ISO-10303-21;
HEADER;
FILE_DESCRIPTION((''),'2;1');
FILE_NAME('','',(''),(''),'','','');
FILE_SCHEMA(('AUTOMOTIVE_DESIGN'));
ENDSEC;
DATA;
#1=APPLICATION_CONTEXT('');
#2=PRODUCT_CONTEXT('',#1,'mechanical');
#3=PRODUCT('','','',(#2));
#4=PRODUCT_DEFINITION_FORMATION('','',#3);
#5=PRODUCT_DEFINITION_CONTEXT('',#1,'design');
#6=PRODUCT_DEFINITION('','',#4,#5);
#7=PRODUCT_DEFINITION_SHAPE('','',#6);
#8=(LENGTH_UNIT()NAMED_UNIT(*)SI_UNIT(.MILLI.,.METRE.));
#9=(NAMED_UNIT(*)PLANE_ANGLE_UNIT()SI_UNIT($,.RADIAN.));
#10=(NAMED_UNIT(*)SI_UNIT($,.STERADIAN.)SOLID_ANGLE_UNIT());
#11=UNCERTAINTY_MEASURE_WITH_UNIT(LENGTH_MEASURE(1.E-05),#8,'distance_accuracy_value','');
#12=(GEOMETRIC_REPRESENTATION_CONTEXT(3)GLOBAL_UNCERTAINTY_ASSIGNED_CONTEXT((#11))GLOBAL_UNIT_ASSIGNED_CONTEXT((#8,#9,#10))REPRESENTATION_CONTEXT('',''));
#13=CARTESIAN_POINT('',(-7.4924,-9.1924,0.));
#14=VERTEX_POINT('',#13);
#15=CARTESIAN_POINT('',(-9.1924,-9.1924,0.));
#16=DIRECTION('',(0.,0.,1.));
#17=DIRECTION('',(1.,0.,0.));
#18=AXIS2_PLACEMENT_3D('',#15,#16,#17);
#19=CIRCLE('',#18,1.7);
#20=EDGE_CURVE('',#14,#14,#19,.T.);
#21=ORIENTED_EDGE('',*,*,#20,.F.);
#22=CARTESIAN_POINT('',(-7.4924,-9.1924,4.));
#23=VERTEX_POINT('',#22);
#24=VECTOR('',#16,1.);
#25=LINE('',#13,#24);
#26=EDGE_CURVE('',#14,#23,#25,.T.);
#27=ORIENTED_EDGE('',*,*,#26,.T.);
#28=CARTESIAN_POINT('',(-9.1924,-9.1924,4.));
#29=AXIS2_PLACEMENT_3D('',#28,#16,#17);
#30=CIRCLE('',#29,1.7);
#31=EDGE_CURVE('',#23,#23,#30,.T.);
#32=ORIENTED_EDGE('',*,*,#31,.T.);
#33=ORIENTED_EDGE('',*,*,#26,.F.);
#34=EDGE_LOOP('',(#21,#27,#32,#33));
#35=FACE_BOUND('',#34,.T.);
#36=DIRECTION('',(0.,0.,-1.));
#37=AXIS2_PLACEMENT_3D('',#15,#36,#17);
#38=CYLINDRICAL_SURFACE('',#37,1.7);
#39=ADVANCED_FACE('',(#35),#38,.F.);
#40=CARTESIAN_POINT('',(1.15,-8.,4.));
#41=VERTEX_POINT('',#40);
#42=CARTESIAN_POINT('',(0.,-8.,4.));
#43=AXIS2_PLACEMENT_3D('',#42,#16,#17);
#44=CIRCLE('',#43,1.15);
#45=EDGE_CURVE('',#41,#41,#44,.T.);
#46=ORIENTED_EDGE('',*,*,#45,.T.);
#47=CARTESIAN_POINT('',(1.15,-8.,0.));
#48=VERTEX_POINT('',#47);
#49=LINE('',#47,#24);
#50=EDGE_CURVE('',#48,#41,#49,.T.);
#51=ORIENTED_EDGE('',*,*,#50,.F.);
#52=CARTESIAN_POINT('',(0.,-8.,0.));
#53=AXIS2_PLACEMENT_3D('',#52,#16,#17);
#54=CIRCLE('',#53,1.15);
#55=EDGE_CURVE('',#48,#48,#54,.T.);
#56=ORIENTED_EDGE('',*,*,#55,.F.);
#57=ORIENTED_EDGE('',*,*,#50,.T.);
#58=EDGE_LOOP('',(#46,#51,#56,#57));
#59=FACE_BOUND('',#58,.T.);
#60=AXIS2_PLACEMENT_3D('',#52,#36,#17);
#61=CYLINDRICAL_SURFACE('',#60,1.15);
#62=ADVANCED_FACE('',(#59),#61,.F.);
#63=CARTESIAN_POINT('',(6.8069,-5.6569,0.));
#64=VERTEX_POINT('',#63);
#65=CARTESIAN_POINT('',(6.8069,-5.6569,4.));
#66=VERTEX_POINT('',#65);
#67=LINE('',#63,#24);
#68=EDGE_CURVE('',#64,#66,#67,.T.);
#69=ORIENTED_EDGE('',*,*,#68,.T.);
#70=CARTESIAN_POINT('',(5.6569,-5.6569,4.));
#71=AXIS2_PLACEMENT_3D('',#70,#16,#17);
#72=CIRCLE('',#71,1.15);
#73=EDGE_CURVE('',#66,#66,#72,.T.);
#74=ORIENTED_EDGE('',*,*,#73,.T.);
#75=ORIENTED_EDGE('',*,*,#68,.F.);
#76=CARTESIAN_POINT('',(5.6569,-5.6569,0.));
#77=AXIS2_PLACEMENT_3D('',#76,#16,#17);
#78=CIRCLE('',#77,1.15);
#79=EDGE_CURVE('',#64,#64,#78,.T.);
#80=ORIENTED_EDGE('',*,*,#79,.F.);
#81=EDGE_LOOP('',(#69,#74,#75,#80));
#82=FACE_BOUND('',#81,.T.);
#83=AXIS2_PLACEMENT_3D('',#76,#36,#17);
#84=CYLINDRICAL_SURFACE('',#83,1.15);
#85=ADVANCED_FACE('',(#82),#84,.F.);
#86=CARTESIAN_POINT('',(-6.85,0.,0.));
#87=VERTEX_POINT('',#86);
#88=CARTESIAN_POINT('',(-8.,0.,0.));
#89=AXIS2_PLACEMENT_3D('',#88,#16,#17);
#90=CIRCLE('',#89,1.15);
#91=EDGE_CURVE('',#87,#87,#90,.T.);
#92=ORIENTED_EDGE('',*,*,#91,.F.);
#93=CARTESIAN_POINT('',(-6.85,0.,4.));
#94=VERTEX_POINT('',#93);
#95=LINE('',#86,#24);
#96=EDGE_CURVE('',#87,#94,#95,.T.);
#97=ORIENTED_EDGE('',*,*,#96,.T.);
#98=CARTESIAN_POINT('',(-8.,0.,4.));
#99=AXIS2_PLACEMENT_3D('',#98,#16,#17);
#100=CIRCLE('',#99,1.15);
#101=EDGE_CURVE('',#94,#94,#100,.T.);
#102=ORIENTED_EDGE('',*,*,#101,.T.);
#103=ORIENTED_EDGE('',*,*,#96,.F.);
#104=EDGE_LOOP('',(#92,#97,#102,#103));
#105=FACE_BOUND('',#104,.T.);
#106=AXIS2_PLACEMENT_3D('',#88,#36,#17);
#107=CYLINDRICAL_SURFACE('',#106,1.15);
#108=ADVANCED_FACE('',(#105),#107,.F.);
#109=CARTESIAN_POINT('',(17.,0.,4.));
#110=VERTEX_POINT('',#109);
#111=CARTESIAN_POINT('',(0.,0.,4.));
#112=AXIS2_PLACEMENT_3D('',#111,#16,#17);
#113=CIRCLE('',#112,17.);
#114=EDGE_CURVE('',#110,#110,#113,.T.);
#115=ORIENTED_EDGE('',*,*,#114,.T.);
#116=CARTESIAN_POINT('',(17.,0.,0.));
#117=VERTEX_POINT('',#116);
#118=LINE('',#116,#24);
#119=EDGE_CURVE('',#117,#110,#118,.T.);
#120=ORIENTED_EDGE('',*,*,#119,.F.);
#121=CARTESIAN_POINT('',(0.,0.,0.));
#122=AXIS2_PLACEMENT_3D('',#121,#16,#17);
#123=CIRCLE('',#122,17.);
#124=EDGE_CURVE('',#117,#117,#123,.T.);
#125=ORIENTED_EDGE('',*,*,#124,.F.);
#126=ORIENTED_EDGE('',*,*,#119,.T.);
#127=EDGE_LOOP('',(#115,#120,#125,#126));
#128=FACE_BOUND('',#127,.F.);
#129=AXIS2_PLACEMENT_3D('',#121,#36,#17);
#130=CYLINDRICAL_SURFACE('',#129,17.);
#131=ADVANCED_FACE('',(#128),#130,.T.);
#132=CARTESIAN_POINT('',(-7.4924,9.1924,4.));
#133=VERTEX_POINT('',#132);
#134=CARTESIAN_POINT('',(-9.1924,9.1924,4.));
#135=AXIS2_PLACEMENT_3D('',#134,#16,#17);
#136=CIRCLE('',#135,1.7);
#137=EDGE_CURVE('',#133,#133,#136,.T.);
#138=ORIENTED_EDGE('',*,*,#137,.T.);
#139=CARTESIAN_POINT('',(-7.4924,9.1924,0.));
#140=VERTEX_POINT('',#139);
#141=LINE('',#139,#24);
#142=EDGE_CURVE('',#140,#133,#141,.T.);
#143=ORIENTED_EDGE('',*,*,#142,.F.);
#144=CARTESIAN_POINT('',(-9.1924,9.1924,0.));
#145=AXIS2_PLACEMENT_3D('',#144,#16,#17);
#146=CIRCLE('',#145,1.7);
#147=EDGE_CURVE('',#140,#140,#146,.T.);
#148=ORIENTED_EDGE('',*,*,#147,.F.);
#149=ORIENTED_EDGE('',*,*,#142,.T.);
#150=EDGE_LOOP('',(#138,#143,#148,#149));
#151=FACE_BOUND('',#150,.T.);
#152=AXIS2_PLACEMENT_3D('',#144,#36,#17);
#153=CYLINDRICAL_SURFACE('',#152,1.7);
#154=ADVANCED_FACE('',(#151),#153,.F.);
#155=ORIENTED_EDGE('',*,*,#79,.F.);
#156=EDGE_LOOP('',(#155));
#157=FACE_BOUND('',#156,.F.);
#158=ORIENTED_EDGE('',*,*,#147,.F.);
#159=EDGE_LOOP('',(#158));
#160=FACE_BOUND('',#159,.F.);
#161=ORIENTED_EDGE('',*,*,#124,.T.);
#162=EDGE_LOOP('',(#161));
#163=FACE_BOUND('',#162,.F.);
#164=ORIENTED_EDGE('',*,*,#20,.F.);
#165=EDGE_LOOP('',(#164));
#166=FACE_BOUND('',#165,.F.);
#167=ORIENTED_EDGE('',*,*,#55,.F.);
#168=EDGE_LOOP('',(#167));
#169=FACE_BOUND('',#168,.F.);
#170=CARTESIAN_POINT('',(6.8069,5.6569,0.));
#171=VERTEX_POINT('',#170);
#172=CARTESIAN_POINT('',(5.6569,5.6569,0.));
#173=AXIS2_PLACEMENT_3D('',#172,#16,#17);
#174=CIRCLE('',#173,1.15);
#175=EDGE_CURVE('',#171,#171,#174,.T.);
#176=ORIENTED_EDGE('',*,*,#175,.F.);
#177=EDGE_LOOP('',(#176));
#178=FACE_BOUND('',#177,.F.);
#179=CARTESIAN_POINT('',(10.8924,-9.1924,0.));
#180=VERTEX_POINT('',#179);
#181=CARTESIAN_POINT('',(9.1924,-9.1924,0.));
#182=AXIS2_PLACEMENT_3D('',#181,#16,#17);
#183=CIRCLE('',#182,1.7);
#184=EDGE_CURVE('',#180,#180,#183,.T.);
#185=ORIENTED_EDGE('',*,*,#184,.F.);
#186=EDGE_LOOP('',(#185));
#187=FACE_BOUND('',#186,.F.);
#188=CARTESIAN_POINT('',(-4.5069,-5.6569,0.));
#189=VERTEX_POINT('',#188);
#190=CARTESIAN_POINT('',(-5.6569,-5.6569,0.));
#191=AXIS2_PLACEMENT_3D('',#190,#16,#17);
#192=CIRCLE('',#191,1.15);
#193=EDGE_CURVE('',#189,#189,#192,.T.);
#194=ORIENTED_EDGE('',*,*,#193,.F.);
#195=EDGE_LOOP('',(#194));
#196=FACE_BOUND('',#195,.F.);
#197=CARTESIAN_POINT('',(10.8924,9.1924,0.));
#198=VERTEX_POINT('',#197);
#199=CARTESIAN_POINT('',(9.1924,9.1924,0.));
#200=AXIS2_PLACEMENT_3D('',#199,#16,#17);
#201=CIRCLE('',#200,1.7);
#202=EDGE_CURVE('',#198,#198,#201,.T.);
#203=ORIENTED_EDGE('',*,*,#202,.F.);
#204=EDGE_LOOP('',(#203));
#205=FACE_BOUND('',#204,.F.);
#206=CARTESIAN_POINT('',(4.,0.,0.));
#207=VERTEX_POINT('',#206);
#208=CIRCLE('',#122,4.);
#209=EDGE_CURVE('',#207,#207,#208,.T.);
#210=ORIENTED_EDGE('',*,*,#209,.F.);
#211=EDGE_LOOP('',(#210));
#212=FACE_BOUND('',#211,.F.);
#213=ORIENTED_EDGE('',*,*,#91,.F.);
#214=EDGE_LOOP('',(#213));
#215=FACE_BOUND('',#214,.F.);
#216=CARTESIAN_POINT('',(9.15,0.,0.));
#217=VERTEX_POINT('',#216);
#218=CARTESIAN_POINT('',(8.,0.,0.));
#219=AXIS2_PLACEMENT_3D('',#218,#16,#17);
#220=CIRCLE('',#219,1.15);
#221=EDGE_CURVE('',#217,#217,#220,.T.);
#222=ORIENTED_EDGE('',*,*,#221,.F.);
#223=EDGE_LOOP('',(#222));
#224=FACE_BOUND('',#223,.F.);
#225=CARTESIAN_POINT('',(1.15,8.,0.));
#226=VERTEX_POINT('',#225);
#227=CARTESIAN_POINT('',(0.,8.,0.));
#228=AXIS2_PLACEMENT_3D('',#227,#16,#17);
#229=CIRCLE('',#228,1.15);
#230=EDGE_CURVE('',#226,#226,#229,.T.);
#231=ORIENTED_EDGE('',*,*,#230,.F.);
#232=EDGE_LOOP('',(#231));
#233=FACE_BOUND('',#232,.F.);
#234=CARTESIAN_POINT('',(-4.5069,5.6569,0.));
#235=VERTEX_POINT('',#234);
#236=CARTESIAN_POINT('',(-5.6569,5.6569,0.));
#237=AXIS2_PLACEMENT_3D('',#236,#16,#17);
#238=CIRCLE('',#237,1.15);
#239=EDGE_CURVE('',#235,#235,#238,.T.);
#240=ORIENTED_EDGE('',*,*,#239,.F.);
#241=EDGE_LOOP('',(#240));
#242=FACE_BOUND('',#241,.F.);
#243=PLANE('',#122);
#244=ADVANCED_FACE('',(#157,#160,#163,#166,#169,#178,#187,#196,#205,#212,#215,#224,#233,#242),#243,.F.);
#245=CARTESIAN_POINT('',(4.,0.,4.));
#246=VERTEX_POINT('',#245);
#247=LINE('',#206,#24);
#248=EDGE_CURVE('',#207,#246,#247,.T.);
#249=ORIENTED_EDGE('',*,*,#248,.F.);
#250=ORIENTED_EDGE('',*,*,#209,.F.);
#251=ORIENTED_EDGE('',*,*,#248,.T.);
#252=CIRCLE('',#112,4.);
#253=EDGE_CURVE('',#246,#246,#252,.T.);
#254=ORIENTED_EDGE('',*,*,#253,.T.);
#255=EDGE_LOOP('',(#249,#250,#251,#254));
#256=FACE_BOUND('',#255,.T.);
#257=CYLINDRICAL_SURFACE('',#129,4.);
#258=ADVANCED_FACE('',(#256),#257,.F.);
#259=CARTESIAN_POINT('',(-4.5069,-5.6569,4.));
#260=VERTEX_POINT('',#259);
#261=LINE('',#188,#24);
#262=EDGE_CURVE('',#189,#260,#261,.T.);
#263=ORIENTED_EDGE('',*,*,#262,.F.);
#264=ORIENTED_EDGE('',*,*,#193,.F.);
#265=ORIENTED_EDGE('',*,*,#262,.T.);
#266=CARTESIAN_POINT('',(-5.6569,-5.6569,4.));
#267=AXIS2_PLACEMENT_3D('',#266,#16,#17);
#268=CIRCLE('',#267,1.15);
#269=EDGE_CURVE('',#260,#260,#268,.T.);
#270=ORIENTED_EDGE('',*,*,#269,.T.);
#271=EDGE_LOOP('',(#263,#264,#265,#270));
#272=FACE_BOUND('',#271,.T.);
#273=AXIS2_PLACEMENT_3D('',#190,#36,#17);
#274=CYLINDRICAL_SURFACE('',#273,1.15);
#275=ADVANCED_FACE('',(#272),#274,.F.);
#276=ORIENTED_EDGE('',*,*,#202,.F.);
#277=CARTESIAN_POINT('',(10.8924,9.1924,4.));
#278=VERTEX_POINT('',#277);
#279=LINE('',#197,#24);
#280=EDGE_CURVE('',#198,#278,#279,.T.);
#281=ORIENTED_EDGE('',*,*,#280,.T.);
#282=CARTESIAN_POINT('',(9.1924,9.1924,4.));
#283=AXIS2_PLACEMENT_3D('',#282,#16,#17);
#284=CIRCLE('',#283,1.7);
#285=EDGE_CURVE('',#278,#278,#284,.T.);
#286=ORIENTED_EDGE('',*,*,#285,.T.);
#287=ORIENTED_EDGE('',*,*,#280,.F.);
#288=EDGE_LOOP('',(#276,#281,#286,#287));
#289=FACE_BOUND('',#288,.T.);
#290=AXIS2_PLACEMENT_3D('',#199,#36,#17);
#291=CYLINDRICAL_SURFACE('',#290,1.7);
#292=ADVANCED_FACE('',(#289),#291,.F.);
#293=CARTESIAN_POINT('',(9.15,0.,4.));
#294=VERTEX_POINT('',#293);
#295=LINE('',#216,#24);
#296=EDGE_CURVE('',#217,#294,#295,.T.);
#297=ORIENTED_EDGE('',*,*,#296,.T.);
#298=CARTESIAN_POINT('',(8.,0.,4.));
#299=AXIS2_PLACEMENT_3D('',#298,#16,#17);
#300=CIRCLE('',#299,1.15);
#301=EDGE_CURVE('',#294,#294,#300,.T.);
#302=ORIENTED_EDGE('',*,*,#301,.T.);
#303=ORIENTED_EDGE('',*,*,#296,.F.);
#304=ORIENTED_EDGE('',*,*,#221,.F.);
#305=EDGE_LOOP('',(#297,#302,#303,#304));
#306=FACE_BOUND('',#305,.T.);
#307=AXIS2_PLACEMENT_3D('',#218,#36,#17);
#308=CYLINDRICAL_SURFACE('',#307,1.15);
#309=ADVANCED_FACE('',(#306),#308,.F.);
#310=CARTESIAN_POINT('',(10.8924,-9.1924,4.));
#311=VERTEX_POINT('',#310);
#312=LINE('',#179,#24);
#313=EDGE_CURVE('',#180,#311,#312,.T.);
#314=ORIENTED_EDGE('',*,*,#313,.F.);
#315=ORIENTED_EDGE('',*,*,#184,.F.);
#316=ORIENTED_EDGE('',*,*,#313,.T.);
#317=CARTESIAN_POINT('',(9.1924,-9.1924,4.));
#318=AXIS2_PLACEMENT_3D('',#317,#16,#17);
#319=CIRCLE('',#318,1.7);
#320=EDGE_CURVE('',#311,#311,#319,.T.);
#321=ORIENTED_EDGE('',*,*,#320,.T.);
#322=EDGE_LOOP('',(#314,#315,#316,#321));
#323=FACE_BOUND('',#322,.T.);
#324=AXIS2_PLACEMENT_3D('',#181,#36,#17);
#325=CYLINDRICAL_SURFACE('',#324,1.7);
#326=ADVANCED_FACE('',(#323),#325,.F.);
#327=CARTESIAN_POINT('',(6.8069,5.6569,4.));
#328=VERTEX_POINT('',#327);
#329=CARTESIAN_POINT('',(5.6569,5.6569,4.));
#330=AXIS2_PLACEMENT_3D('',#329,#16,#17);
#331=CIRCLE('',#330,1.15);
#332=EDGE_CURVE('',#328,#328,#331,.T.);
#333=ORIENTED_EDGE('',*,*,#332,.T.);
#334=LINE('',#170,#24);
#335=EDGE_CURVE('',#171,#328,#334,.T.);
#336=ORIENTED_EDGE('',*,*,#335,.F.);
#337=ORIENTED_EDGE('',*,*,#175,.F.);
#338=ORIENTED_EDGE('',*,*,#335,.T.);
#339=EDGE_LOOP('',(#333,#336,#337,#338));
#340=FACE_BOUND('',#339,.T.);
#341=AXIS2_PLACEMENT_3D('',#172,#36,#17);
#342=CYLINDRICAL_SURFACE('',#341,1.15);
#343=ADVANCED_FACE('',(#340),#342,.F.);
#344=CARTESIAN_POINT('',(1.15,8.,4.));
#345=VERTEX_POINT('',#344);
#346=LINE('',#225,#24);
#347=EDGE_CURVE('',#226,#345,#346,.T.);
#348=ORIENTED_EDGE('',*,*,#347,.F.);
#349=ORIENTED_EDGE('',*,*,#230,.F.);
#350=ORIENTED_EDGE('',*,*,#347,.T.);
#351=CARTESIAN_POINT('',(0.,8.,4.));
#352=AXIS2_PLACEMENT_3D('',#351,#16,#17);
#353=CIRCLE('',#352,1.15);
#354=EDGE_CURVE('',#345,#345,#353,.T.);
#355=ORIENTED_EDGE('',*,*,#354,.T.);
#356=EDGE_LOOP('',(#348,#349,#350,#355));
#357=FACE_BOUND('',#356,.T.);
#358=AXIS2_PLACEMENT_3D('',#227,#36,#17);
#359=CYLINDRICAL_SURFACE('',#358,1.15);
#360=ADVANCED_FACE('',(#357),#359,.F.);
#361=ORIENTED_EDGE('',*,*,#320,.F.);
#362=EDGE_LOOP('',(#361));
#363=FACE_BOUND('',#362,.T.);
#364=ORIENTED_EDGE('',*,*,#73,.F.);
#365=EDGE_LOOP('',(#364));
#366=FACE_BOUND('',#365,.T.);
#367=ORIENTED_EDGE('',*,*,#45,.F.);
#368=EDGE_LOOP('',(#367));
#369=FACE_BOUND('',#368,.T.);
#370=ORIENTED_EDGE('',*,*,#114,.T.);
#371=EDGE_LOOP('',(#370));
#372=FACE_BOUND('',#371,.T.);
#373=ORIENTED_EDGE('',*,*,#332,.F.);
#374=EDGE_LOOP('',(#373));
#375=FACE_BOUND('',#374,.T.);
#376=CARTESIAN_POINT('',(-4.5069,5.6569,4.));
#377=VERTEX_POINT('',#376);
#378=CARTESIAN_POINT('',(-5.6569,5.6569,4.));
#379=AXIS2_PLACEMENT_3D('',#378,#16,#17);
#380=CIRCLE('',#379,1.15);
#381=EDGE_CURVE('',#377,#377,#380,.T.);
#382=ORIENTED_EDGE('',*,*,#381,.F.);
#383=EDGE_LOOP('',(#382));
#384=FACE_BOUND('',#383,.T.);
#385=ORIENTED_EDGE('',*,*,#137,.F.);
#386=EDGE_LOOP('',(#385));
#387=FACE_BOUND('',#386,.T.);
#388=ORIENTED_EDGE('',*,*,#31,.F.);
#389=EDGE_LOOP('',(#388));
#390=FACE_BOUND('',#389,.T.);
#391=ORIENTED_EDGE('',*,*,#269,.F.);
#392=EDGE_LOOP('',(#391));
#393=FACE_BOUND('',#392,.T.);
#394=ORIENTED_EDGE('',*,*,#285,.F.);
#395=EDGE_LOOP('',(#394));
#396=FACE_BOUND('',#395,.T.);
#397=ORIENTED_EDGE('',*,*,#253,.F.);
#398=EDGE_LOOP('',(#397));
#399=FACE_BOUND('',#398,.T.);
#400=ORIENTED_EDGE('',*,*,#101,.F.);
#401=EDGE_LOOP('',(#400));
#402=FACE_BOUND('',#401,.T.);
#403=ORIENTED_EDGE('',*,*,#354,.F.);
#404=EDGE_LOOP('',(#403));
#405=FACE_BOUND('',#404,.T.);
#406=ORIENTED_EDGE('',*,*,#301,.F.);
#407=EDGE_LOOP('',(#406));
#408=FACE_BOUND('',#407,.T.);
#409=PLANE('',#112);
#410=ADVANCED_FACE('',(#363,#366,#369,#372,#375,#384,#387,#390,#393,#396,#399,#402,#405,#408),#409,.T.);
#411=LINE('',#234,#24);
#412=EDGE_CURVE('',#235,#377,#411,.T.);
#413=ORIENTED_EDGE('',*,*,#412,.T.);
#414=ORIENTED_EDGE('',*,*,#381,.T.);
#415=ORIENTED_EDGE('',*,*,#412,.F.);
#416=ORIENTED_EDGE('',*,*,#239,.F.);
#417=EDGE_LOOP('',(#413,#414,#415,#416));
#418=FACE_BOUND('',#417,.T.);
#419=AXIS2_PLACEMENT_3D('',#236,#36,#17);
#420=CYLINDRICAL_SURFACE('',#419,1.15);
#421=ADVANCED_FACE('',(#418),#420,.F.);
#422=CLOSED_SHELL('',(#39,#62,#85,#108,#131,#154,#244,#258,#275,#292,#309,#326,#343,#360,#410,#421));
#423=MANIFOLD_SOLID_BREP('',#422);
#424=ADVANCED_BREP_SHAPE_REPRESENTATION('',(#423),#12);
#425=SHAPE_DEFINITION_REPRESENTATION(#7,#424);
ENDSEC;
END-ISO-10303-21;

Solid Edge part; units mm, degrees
sketch "Sketch1" plane through (0, 0, 0) normal (0, 0, 1) x (1, 0, 0)
  circle A0 centre (0, 0) radius 17
  circle A1 centre (0, 0) radius 4
  circle A2 centre (8, 0) radius 1.15
  circle A3 centre (5.6569, 5.6569) radius 1.15
  circle A4 centre (0, 8) radius 1.15
  circle A5 centre (-5.6569, 5.6569) radius 1.15
  circle A6 centre (-8, 0) radius 1.15
  circle A7 centre (-5.6569, -5.6569) radius 1.15
  circle A8 centre (0, -8) radius 1.15
  circle A9 centre (5.6569, -5.6569) radius 1.15
  circle A10 centre (9.1924, 9.1924) radius 1.7
  circle A11 centre (-9.1924, 9.1924) radius 1.7
  circle A12 centre (-9.1924, -9.1924) radius 1.7
  circle A13 centre (9.1924, -9.1924) radius 1.7
extrude "Protrusion1" add sketch "Sketch1" along normal blind 4
